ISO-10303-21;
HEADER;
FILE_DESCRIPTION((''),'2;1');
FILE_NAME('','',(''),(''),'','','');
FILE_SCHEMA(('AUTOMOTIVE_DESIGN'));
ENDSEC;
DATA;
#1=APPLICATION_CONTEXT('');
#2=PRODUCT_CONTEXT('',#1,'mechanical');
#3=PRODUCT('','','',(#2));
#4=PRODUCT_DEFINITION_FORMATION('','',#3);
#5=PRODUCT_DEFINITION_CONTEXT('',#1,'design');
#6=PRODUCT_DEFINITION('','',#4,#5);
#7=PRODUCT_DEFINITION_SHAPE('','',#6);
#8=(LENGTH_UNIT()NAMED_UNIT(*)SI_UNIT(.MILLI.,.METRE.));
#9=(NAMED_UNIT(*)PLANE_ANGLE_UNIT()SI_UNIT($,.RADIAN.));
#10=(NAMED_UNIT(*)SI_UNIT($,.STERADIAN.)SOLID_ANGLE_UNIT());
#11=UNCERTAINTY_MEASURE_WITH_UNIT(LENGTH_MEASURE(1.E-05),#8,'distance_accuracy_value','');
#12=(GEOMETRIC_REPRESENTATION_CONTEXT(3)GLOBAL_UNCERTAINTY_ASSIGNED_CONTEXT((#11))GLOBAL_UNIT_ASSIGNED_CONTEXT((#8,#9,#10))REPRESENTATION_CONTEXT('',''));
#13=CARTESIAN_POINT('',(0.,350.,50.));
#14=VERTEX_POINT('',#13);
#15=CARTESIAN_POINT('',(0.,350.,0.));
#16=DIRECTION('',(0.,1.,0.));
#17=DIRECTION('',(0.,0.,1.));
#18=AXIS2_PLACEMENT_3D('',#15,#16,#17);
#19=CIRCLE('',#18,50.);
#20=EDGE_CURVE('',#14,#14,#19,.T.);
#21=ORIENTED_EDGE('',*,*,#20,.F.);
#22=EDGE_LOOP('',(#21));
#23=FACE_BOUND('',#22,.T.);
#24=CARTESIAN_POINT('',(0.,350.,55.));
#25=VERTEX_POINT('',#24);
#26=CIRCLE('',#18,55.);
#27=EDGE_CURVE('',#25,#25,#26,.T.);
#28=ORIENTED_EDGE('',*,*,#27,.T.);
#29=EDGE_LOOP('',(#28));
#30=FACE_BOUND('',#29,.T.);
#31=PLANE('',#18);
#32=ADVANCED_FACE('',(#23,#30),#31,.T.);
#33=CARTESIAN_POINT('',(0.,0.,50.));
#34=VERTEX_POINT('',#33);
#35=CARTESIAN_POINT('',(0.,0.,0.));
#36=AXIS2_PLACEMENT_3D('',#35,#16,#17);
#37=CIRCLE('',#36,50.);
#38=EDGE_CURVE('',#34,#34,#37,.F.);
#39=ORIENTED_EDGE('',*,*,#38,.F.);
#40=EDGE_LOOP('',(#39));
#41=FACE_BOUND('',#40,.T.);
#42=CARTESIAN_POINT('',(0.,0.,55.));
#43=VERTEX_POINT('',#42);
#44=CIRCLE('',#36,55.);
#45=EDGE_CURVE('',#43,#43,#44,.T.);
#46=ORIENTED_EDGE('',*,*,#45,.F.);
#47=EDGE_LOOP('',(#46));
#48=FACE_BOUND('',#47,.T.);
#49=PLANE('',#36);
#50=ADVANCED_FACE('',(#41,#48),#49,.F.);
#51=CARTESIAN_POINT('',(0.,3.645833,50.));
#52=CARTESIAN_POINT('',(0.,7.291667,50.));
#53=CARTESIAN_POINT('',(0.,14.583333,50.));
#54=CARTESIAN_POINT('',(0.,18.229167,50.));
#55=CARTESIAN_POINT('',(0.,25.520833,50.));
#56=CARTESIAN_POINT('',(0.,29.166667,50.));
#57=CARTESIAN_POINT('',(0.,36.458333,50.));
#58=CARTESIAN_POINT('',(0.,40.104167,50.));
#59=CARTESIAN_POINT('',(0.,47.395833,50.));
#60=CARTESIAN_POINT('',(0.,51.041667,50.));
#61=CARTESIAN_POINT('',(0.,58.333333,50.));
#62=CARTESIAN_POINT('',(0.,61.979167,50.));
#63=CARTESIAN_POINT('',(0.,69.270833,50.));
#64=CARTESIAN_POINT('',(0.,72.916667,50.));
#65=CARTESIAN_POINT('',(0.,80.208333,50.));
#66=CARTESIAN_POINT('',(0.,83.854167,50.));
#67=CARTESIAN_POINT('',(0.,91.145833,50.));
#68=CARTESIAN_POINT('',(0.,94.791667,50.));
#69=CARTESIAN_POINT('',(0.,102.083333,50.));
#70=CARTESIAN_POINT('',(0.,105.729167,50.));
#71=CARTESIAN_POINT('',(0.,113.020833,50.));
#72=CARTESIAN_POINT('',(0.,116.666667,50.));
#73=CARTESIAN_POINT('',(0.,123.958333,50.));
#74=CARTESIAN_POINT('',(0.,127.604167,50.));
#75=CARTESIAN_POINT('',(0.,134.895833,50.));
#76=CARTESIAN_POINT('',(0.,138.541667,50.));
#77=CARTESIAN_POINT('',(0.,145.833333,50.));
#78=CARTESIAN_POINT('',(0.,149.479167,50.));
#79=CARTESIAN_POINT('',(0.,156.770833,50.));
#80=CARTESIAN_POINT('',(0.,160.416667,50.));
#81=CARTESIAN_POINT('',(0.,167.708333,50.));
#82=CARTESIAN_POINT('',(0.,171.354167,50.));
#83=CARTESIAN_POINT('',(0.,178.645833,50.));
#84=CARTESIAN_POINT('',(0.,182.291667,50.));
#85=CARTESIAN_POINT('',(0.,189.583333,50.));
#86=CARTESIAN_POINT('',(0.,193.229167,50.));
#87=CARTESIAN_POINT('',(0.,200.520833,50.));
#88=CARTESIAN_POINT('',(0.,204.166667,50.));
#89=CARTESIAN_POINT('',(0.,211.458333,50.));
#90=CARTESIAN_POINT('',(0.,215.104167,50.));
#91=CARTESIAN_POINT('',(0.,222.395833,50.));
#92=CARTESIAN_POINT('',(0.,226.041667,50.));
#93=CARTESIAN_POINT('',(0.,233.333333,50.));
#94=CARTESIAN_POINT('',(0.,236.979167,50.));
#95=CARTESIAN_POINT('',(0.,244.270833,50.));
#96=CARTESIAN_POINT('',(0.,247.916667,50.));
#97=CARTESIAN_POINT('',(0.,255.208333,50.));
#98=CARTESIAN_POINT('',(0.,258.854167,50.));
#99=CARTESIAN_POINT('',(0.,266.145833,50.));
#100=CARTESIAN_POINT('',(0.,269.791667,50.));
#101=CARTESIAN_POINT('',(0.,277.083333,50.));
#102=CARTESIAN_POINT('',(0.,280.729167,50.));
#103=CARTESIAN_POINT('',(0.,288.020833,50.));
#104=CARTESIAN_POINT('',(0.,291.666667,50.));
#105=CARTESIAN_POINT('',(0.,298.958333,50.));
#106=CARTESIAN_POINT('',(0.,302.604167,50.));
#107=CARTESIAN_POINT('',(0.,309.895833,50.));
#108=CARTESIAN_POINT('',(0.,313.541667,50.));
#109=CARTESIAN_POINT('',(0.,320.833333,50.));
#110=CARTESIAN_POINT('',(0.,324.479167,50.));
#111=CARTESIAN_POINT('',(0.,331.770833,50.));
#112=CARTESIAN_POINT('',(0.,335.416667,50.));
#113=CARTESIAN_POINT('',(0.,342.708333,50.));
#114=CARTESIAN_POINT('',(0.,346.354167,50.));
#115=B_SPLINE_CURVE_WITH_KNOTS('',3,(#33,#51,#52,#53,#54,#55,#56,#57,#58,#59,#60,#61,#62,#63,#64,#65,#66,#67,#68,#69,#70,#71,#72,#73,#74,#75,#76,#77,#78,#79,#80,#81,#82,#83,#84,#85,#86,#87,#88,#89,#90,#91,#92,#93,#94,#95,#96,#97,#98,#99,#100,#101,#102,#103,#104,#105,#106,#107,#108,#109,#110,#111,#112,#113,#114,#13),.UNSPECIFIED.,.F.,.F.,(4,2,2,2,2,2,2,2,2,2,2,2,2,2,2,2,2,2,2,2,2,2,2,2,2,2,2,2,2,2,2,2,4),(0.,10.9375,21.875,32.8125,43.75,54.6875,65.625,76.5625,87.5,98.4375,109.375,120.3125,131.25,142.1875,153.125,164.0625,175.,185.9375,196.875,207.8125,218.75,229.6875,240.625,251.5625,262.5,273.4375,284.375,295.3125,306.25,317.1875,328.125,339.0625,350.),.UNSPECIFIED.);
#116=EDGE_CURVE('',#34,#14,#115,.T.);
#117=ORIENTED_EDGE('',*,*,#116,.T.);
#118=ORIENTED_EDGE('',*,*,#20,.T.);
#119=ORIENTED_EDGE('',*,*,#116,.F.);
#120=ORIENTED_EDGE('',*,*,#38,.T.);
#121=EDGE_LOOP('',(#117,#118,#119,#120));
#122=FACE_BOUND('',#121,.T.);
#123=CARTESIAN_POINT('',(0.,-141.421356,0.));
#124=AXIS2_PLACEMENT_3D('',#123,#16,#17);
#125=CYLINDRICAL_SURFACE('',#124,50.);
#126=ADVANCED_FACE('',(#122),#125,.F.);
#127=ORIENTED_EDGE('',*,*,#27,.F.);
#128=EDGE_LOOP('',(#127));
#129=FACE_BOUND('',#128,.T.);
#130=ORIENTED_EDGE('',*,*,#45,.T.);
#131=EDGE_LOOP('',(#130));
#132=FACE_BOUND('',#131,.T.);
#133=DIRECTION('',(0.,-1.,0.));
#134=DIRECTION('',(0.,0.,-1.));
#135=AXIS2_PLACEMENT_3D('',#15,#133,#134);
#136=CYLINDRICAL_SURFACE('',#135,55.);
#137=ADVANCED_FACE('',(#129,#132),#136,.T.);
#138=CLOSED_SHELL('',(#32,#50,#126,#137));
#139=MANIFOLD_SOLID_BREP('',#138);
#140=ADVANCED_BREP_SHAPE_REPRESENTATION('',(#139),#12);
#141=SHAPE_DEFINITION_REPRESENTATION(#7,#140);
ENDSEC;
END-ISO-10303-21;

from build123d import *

# Parameters (mm, degrees)
CROQUIS1_R              = 55
SALIENTE_EXTRUIR1_DEPTH = 350
CROQUIS3_R              = 50
CORTAR_EXTRUIR1_DEPTH   = 350


with BuildPart() as part:
    # Croquis1 → Saliente-Extruir1 (new body)
    with BuildSketch(Plane(origin=(0, 0, 0), x_dir=(1, 0, 0), z_dir=(0, 1, 0))):
        with Locations(Location((0, 0, 0), (0, 0, 270))):
            Circle(CROQUIS1_R)
    extrude(amount=SALIENTE_EXTRUIR1_DEPTH)

    # Croquis3 → Cortar-Extruir1 (cut)
    with BuildSketch(Plane(origin=(0, 350, 0), x_dir=(1, 0, 0), z_dir=(0, 1, 0))):
        with Locations(Location((0, 0, 0), (0, 0, 270))):
            Circle(CROQUIS3_R)
    extrude(amount=-CORTAR_EXTRUIR1_DEPTH, mode=Mode.SUBTRACT)


solid = part.part
